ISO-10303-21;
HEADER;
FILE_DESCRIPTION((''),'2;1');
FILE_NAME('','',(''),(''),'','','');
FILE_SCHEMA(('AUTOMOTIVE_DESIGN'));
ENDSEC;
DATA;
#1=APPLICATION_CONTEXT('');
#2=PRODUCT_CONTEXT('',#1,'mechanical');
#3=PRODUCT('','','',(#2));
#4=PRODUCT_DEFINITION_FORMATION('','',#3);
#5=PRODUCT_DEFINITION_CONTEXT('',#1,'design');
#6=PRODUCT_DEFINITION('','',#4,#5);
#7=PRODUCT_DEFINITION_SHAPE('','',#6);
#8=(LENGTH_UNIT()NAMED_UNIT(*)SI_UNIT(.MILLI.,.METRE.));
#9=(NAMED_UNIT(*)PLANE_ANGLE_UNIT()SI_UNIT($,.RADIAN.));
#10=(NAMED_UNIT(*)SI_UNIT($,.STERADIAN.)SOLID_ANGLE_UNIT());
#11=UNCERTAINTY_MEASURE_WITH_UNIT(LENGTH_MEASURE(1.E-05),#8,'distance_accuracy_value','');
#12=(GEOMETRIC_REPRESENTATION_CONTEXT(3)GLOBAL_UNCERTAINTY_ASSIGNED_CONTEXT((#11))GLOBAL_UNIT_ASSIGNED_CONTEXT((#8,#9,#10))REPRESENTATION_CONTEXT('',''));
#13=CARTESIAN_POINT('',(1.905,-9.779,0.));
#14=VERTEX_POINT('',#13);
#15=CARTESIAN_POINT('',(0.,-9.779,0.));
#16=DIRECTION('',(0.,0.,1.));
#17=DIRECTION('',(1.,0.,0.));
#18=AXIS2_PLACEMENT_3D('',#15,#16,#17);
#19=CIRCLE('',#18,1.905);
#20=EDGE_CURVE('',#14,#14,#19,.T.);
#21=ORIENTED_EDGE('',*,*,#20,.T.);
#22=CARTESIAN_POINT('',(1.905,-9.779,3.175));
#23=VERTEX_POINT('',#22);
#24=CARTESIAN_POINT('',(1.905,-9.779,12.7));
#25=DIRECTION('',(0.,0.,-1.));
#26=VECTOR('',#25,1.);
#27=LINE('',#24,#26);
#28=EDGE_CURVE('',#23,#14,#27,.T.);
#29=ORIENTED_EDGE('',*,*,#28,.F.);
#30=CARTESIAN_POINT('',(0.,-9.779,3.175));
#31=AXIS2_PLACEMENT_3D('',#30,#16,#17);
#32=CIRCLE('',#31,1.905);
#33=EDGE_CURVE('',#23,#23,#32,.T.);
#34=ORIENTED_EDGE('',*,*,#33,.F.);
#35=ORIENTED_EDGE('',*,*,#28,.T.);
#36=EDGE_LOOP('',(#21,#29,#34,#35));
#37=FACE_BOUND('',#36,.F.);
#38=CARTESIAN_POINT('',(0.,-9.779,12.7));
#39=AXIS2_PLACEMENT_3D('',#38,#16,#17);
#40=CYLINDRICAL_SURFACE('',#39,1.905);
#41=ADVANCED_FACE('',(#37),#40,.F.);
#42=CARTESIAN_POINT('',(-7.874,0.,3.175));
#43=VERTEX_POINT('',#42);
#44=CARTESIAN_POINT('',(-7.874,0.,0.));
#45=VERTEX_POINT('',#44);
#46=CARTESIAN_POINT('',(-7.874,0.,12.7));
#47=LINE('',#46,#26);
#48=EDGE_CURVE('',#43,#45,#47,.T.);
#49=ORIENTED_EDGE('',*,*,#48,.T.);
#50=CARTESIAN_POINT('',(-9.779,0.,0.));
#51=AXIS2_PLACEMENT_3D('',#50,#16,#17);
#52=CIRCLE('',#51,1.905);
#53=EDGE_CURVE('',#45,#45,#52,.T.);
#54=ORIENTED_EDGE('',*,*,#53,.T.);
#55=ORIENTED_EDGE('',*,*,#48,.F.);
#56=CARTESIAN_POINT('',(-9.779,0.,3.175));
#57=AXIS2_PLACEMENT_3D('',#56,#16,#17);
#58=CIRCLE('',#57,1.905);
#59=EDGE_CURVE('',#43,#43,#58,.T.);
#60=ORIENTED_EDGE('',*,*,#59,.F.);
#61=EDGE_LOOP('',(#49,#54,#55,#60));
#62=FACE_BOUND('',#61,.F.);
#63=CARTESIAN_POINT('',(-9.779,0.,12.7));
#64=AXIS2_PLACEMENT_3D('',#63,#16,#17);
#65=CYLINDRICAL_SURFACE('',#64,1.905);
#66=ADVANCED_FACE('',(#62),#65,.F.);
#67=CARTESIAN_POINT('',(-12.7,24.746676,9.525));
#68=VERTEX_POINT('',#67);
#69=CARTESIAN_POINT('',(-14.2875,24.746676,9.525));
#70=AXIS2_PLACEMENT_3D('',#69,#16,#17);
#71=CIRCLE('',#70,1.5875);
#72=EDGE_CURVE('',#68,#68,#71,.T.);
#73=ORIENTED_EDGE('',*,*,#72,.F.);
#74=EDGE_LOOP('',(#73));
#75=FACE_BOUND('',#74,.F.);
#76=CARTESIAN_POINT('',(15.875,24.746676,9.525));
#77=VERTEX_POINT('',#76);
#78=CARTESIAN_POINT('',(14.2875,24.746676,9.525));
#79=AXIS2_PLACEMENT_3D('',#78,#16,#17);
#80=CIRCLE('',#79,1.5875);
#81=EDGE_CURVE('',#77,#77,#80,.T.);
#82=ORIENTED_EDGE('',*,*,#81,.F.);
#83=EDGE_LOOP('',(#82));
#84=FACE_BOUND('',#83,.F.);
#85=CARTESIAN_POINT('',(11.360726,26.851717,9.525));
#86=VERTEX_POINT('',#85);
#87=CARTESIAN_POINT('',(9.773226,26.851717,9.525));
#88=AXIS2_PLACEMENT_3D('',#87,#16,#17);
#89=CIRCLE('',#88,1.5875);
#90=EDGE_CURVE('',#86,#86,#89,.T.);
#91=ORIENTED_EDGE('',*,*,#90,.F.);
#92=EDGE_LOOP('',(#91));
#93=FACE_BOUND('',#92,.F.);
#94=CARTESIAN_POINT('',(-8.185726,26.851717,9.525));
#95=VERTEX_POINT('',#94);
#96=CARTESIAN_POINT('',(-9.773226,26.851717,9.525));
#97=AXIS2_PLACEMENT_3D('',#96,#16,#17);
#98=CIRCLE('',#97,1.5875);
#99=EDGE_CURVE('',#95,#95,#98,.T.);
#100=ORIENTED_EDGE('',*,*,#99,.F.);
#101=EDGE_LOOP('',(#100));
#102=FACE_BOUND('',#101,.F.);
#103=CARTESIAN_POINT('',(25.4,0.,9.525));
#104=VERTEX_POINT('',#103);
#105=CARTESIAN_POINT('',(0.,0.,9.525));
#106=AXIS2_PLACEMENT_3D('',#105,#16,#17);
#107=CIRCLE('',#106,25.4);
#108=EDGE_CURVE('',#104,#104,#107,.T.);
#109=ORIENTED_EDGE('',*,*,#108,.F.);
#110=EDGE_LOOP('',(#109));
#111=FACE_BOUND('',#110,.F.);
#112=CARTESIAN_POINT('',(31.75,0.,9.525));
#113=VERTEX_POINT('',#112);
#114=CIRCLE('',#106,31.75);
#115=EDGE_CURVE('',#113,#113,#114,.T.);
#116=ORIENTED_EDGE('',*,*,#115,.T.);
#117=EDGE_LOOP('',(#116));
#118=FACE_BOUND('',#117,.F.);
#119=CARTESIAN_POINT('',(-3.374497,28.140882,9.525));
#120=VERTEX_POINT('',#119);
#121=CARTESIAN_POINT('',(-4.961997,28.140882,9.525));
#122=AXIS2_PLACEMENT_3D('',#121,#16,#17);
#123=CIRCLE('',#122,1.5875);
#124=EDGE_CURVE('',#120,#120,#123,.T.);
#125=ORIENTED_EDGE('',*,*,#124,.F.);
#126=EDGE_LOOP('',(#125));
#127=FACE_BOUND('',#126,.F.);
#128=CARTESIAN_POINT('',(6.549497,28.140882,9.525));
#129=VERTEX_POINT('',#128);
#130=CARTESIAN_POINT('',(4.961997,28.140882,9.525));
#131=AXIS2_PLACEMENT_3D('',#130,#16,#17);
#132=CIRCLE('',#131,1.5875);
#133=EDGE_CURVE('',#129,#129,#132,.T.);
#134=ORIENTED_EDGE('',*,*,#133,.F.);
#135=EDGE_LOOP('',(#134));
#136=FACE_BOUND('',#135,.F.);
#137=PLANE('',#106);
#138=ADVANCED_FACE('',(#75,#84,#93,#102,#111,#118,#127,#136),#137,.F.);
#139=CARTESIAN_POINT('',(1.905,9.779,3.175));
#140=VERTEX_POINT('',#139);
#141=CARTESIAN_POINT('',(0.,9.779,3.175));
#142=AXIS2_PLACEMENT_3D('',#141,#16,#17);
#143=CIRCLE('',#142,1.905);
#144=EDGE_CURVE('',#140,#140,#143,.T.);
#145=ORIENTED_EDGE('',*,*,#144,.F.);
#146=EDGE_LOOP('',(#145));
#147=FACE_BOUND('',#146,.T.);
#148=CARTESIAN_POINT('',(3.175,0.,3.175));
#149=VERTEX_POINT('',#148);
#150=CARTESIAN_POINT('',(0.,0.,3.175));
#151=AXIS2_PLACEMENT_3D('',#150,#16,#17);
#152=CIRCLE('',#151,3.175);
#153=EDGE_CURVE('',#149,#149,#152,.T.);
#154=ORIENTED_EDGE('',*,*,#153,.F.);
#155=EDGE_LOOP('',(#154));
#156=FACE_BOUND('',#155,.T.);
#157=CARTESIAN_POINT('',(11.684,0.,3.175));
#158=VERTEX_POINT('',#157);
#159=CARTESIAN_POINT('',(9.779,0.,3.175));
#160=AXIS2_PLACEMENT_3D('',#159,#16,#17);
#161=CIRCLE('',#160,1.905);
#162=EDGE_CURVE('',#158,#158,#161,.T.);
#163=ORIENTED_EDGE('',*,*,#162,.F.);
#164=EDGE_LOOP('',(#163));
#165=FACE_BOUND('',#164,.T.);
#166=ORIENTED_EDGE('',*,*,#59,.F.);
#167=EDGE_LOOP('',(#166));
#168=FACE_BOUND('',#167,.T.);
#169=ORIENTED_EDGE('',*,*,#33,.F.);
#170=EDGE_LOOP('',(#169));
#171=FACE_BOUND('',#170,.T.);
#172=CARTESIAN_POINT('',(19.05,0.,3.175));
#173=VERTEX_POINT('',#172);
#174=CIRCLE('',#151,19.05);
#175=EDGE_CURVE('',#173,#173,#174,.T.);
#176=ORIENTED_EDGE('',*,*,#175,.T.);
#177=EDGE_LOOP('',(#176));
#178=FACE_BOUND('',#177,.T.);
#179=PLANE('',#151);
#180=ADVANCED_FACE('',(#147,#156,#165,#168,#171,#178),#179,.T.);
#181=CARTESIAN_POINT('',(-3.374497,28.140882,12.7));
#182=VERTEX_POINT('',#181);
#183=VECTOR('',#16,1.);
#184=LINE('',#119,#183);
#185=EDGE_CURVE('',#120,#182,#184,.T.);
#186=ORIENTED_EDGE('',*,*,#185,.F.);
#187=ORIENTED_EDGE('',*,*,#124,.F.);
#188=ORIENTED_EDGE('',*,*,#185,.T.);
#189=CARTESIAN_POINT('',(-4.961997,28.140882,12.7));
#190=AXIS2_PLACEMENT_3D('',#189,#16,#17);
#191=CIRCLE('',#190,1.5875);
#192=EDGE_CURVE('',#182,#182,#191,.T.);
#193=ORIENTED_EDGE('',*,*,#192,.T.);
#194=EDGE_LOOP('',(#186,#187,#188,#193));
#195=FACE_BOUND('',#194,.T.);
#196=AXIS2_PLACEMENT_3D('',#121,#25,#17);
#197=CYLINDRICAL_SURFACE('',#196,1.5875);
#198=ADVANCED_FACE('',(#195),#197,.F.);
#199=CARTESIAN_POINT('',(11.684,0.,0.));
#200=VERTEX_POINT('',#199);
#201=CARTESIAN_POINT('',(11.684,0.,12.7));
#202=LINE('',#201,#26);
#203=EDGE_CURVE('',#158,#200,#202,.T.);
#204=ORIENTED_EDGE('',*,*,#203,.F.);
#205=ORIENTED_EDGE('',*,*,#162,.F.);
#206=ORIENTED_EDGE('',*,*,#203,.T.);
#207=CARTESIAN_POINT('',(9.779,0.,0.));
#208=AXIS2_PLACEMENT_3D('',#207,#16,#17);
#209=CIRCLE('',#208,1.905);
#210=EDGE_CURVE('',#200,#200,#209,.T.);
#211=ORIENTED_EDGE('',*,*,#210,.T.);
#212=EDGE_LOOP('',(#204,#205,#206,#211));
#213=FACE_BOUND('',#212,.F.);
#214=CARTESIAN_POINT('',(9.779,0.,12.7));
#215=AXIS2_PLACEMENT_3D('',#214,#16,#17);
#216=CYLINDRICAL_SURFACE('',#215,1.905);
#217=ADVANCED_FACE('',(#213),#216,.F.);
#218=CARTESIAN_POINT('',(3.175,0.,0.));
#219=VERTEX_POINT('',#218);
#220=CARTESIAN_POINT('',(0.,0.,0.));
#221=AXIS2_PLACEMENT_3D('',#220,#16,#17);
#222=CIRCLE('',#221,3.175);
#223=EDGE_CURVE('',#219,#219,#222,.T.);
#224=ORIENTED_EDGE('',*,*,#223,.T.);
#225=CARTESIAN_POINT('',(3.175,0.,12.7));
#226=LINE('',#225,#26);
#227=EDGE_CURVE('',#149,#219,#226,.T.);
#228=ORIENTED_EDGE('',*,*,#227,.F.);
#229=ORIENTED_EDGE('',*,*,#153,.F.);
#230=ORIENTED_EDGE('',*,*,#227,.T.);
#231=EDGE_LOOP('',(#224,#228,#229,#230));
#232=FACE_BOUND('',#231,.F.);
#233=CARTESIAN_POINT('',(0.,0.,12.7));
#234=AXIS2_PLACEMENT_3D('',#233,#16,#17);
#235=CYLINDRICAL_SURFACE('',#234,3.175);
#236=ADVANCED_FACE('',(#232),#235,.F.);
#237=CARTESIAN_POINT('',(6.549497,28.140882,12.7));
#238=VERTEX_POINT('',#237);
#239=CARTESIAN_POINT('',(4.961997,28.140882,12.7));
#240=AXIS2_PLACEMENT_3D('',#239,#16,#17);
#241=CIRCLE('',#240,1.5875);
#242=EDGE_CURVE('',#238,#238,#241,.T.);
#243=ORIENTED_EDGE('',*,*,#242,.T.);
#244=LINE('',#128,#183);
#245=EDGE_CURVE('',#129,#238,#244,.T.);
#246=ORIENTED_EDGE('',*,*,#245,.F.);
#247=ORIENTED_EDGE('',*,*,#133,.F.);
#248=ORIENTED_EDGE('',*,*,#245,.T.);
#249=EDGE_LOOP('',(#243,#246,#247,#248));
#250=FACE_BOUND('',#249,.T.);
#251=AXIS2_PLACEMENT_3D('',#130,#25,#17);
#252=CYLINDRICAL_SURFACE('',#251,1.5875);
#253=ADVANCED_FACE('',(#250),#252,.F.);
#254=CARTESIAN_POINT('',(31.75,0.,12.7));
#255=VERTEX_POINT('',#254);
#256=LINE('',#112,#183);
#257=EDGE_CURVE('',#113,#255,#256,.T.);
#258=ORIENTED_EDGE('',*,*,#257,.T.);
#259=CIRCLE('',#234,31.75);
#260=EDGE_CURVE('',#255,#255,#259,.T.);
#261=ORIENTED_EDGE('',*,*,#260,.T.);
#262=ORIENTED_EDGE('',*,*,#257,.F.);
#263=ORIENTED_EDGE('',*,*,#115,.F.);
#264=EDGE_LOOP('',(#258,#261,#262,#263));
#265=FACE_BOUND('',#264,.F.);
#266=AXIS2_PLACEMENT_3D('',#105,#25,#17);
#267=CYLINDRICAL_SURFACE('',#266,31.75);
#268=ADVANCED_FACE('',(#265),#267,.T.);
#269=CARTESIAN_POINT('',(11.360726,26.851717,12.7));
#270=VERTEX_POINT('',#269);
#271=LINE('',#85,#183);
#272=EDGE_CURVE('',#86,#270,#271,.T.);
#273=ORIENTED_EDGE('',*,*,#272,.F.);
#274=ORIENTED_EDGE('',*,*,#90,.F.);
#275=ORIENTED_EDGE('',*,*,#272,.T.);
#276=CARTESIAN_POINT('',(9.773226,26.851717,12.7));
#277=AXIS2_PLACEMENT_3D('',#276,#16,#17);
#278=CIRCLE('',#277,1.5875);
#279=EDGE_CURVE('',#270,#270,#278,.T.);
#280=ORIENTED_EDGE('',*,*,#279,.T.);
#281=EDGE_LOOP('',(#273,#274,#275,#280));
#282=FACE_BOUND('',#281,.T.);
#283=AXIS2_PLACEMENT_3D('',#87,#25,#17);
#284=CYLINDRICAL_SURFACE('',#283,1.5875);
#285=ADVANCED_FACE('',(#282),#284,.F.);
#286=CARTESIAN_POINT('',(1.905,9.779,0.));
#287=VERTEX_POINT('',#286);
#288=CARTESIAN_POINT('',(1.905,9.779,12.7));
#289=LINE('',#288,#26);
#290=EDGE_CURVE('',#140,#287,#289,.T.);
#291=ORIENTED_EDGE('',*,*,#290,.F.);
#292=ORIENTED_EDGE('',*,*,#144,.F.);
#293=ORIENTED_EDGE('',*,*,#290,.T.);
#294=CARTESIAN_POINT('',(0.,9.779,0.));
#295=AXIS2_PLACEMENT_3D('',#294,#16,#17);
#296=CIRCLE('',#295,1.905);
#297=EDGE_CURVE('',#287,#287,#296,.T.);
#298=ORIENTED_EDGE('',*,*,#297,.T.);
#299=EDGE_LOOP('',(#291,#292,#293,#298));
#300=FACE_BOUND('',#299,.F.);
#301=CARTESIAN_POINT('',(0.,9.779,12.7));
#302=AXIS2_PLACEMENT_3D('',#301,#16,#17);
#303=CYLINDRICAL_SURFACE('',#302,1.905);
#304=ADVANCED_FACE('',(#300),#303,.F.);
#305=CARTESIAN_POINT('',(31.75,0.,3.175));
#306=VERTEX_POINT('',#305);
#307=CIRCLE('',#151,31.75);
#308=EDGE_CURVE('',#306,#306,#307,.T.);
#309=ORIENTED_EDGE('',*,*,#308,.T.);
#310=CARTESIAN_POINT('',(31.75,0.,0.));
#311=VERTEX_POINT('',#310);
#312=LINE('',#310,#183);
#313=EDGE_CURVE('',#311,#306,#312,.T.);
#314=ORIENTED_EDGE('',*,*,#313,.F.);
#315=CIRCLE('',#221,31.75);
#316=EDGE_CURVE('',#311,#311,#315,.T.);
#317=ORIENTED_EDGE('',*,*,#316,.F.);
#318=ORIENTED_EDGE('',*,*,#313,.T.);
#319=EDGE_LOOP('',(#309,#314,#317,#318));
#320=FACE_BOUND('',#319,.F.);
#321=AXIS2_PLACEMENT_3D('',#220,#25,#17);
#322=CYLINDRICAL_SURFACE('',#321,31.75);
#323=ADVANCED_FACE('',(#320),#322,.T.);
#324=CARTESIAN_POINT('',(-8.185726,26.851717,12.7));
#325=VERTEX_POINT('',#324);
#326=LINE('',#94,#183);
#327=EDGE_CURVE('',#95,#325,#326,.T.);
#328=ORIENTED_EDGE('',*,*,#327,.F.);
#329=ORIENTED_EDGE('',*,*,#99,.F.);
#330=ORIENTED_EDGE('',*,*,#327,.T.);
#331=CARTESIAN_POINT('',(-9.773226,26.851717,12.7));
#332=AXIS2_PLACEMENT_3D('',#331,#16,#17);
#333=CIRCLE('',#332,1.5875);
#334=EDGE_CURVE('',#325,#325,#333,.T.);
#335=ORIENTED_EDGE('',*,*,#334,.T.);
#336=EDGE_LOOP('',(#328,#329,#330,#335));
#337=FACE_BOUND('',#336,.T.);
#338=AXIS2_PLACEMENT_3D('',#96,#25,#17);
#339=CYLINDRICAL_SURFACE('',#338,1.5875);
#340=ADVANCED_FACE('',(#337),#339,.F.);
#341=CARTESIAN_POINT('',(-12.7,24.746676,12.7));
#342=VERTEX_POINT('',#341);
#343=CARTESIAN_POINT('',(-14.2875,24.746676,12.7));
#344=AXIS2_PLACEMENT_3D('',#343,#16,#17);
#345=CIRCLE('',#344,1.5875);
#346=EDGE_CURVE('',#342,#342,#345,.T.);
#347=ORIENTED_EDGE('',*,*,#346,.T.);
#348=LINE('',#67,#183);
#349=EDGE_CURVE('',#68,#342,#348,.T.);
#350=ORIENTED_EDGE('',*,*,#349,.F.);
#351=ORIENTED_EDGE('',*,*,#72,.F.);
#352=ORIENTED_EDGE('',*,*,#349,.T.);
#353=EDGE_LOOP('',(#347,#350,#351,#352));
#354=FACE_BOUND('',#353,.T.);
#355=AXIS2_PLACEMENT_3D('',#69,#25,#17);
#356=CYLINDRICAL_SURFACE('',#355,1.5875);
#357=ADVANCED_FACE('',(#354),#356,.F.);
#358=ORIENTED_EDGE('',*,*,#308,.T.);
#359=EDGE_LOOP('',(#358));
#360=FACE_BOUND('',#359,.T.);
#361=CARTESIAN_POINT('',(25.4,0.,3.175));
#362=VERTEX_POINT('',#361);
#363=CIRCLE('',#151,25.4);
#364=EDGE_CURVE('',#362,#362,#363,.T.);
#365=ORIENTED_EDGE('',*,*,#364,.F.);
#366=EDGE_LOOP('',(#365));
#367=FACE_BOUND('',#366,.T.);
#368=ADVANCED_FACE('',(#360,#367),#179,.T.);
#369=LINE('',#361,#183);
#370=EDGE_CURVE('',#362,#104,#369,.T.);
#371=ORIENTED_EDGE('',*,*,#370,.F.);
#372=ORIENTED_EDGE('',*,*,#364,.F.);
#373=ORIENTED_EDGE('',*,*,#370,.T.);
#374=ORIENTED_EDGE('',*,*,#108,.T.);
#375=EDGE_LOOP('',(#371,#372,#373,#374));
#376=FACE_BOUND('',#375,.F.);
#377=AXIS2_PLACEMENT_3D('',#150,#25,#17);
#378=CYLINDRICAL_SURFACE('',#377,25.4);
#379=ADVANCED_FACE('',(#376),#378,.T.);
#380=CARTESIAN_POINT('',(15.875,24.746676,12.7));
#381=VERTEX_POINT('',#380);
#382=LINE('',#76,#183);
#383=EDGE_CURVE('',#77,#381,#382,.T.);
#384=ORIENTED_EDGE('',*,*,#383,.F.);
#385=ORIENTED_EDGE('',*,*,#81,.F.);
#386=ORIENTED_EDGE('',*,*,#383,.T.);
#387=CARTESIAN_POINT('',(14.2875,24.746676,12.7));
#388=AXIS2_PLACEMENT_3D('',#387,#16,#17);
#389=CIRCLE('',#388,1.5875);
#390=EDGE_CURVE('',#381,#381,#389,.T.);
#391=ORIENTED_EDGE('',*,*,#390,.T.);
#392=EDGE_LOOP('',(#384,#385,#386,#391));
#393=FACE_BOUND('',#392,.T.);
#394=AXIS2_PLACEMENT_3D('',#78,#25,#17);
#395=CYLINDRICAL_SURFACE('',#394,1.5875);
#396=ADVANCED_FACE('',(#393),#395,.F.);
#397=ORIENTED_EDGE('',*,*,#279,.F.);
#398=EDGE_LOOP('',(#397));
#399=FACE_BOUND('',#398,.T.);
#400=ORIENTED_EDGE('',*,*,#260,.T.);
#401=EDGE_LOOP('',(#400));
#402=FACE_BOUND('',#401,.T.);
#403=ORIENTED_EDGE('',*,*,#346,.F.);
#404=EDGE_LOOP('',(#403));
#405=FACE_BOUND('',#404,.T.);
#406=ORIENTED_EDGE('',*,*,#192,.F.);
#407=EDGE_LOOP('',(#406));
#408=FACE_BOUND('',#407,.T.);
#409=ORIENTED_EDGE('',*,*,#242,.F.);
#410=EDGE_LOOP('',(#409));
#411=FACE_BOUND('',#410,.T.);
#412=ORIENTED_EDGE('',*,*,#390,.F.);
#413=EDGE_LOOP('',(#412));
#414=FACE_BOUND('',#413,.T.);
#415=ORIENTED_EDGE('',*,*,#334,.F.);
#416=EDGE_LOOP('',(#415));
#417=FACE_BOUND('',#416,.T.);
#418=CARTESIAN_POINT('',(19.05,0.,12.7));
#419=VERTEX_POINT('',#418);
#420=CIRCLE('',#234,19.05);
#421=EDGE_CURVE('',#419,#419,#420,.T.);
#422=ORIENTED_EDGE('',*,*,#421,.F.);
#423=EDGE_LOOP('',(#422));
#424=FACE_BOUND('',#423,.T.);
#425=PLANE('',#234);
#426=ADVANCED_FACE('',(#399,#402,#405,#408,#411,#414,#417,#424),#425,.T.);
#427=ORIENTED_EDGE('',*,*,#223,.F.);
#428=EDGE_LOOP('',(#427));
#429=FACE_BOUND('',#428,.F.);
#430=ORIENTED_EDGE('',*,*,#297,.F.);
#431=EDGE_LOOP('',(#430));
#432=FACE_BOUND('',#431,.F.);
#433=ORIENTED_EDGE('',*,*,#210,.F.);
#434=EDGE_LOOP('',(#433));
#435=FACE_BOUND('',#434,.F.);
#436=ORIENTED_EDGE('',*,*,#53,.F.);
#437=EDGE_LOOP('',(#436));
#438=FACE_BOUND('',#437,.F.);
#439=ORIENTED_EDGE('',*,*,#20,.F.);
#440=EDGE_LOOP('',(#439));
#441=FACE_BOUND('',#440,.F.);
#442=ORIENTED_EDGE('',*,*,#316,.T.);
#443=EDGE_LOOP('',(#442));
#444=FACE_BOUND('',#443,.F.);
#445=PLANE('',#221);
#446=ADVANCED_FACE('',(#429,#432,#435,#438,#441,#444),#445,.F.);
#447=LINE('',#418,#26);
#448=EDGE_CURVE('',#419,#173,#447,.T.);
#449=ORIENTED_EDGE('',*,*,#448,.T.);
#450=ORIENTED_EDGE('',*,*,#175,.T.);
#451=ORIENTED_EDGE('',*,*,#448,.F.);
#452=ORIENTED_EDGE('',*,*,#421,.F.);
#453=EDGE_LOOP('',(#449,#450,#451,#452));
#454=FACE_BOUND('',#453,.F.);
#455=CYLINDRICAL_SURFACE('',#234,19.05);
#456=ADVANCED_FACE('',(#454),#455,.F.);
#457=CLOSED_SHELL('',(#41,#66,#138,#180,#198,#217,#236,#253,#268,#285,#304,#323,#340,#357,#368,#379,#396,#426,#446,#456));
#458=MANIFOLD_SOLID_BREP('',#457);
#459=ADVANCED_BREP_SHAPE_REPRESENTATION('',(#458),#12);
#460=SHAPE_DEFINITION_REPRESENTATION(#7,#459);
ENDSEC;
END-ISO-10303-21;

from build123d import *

# Parameters (mm, degrees)
F0_R     = 31.75
F0_R_2   = 25.4
F1_DEPTH = 3.175
F2_R     = 25.4
F3_DEPTH = 6.35
F4_R     = 31.75
F4_R_2   = 1.5875
F5_DEPTH = 3.175
F6_R     = 1.905
F6_R_2   = 3.175
F7_DEPTH = 12.7
F8_R     = 19.05
F9_DEPTH = 9.525


with BuildPart() as f1:
    # F0 (on Top) → F1 (new body)
    with BuildSketch(Plane.XY):
        Circle(F0_R)
        Circle(F0_R_2, mode=Mode.SUBTRACT)
        Circle(F0_R_2)
    extrude(amount=F1_DEPTH)

    # F2 (on face) → F3 (join)
    with BuildSketch(Plane.XY.offset(3.175)):
        Circle(F2_R)
    extrude(amount=F3_DEPTH)

    # F4 (on face) → F5 (join)
    with BuildSketch(Plane.XY.offset(9.525)):
        Circle(F4_R)
        with Locations((-14.2875, 24.746676)):
            Circle(F4_R_2, mode=Mode.SUBTRACT)
        with Locations((-9.773226, 26.851717)):
            Circle(F4_R_2, mode=Mode.SUBTRACT)
        with Locations((-4.961997, 28.140882)):
            Circle(F4_R_2, mode=Mode.SUBTRACT)
        with Locations((4.961997, 28.140882)):
            Circle(F4_R_2, mode=Mode.SUBTRACT)
        with Locations((9.773226, 26.851717)):
            Circle(F4_R_2, mode=Mode.SUBTRACT)
        with Locations((14.2875, 24.746676)):
            Circle(F4_R_2, mode=Mode.SUBTRACT)
    extrude(amount=F5_DEPTH)

    # F6 (on face) → F7 (cut, through all)
    with BuildSketch(Plane.XY.offset(12.7)):
        with Locations((0, 9.779)):
            Circle(F6_R)
        with Locations((0, -9.779)):
            Circle(F6_R)
        with Locations((-9.779, 0)):
            Circle(F6_R)
        with Locations((9.779, 0)):
            Circle(F6_R)
        Circle(F6_R_2)
    extrude(amount=-F7_DEPTH, mode=Mode.SUBTRACT)

    # F8 (on face) → F9 (cut)
    with BuildSketch(Plane.XY.offset(12.7)):
        Circle(F8_R)
    extrude(amount=-F9_DEPTH, mode=Mode.SUBTRACT)


solid = f1.part
